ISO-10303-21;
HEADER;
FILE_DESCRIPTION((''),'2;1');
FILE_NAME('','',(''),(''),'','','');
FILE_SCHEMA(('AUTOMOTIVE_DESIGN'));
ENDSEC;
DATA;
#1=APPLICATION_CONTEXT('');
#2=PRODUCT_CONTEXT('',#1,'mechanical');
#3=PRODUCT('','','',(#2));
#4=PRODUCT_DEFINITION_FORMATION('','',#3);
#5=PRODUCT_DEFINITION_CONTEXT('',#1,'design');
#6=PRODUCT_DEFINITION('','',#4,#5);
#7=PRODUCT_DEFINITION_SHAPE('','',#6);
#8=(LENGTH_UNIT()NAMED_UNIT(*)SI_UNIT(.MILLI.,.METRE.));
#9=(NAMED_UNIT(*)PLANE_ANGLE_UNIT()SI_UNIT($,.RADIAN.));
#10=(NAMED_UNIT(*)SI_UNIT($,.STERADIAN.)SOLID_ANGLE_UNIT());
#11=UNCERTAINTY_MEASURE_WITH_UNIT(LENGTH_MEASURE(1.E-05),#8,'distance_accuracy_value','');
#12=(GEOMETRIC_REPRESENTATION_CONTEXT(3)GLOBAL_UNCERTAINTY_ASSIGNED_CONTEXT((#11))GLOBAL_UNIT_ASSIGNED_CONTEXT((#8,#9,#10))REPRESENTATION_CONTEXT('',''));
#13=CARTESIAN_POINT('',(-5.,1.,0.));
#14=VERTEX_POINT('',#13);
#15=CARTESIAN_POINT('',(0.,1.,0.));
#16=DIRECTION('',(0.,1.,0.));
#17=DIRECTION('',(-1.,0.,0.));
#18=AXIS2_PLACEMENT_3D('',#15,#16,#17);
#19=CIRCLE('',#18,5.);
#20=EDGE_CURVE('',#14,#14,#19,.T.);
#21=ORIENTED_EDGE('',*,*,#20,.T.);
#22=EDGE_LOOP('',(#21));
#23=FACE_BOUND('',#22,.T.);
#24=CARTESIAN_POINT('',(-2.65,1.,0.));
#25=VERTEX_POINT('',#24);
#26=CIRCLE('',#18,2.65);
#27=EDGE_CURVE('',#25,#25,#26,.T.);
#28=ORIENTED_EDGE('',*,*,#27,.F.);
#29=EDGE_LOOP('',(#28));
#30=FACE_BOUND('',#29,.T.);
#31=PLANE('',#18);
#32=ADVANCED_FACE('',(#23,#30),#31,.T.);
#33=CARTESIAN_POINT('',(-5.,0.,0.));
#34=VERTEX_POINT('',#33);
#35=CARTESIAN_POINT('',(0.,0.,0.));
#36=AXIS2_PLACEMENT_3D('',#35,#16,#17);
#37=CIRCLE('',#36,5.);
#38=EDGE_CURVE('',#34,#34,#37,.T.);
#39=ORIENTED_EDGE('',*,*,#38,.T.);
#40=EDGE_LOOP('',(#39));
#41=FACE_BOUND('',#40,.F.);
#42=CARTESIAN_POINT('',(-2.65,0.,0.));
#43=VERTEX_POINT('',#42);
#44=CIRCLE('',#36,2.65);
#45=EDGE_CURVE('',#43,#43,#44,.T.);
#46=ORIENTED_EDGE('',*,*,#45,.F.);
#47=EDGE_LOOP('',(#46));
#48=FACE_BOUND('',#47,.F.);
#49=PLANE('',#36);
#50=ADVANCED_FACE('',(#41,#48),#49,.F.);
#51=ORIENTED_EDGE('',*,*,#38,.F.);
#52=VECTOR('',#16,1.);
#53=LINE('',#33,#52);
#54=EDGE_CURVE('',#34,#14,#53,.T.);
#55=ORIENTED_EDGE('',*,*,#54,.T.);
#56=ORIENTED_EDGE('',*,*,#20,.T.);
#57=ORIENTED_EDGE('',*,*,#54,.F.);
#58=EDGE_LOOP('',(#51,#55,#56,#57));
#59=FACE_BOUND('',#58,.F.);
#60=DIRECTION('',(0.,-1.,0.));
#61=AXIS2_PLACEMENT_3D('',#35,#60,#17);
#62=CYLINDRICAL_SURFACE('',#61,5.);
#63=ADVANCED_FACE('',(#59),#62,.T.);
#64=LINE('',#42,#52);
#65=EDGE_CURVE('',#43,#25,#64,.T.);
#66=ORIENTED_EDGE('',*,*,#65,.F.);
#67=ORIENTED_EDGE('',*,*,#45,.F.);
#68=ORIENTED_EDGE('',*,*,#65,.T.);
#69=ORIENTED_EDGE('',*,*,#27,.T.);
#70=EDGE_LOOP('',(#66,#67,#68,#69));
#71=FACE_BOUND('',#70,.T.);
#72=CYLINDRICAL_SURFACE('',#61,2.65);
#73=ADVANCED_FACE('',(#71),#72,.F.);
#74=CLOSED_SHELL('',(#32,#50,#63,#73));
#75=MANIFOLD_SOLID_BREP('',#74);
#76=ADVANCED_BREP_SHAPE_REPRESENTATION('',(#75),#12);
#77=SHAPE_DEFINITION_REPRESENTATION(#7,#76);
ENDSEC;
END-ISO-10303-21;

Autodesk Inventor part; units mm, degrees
ref_plane "YZ Plane" through (0, 0, 0) normal (1, 0, 0) x (0, 1, 0)
ref_plane "XZ Plane" through (0, 0, 0) normal (0, 1, 0) x (-1, 0, 0)
ref_plane "XY Plane" through (0, 0, 0) normal (0, 0, 1) x (1, 0, 0)
sketch "Boceto1" plane through (0, 0, 0) normal (0, 1, 0) x (-1, 0, 0)
  circle A0 centre (0, 0) radius 2.65
  circle A1 centre (0, 0) radius 5
  dimension "d0" = 5.3
  dimension "d1" = 10
extrude "Extrusión1" add sketch "Boceto1" along normal blind 1
properties part number "Arandela plana tipo A DIN 125-M5"
